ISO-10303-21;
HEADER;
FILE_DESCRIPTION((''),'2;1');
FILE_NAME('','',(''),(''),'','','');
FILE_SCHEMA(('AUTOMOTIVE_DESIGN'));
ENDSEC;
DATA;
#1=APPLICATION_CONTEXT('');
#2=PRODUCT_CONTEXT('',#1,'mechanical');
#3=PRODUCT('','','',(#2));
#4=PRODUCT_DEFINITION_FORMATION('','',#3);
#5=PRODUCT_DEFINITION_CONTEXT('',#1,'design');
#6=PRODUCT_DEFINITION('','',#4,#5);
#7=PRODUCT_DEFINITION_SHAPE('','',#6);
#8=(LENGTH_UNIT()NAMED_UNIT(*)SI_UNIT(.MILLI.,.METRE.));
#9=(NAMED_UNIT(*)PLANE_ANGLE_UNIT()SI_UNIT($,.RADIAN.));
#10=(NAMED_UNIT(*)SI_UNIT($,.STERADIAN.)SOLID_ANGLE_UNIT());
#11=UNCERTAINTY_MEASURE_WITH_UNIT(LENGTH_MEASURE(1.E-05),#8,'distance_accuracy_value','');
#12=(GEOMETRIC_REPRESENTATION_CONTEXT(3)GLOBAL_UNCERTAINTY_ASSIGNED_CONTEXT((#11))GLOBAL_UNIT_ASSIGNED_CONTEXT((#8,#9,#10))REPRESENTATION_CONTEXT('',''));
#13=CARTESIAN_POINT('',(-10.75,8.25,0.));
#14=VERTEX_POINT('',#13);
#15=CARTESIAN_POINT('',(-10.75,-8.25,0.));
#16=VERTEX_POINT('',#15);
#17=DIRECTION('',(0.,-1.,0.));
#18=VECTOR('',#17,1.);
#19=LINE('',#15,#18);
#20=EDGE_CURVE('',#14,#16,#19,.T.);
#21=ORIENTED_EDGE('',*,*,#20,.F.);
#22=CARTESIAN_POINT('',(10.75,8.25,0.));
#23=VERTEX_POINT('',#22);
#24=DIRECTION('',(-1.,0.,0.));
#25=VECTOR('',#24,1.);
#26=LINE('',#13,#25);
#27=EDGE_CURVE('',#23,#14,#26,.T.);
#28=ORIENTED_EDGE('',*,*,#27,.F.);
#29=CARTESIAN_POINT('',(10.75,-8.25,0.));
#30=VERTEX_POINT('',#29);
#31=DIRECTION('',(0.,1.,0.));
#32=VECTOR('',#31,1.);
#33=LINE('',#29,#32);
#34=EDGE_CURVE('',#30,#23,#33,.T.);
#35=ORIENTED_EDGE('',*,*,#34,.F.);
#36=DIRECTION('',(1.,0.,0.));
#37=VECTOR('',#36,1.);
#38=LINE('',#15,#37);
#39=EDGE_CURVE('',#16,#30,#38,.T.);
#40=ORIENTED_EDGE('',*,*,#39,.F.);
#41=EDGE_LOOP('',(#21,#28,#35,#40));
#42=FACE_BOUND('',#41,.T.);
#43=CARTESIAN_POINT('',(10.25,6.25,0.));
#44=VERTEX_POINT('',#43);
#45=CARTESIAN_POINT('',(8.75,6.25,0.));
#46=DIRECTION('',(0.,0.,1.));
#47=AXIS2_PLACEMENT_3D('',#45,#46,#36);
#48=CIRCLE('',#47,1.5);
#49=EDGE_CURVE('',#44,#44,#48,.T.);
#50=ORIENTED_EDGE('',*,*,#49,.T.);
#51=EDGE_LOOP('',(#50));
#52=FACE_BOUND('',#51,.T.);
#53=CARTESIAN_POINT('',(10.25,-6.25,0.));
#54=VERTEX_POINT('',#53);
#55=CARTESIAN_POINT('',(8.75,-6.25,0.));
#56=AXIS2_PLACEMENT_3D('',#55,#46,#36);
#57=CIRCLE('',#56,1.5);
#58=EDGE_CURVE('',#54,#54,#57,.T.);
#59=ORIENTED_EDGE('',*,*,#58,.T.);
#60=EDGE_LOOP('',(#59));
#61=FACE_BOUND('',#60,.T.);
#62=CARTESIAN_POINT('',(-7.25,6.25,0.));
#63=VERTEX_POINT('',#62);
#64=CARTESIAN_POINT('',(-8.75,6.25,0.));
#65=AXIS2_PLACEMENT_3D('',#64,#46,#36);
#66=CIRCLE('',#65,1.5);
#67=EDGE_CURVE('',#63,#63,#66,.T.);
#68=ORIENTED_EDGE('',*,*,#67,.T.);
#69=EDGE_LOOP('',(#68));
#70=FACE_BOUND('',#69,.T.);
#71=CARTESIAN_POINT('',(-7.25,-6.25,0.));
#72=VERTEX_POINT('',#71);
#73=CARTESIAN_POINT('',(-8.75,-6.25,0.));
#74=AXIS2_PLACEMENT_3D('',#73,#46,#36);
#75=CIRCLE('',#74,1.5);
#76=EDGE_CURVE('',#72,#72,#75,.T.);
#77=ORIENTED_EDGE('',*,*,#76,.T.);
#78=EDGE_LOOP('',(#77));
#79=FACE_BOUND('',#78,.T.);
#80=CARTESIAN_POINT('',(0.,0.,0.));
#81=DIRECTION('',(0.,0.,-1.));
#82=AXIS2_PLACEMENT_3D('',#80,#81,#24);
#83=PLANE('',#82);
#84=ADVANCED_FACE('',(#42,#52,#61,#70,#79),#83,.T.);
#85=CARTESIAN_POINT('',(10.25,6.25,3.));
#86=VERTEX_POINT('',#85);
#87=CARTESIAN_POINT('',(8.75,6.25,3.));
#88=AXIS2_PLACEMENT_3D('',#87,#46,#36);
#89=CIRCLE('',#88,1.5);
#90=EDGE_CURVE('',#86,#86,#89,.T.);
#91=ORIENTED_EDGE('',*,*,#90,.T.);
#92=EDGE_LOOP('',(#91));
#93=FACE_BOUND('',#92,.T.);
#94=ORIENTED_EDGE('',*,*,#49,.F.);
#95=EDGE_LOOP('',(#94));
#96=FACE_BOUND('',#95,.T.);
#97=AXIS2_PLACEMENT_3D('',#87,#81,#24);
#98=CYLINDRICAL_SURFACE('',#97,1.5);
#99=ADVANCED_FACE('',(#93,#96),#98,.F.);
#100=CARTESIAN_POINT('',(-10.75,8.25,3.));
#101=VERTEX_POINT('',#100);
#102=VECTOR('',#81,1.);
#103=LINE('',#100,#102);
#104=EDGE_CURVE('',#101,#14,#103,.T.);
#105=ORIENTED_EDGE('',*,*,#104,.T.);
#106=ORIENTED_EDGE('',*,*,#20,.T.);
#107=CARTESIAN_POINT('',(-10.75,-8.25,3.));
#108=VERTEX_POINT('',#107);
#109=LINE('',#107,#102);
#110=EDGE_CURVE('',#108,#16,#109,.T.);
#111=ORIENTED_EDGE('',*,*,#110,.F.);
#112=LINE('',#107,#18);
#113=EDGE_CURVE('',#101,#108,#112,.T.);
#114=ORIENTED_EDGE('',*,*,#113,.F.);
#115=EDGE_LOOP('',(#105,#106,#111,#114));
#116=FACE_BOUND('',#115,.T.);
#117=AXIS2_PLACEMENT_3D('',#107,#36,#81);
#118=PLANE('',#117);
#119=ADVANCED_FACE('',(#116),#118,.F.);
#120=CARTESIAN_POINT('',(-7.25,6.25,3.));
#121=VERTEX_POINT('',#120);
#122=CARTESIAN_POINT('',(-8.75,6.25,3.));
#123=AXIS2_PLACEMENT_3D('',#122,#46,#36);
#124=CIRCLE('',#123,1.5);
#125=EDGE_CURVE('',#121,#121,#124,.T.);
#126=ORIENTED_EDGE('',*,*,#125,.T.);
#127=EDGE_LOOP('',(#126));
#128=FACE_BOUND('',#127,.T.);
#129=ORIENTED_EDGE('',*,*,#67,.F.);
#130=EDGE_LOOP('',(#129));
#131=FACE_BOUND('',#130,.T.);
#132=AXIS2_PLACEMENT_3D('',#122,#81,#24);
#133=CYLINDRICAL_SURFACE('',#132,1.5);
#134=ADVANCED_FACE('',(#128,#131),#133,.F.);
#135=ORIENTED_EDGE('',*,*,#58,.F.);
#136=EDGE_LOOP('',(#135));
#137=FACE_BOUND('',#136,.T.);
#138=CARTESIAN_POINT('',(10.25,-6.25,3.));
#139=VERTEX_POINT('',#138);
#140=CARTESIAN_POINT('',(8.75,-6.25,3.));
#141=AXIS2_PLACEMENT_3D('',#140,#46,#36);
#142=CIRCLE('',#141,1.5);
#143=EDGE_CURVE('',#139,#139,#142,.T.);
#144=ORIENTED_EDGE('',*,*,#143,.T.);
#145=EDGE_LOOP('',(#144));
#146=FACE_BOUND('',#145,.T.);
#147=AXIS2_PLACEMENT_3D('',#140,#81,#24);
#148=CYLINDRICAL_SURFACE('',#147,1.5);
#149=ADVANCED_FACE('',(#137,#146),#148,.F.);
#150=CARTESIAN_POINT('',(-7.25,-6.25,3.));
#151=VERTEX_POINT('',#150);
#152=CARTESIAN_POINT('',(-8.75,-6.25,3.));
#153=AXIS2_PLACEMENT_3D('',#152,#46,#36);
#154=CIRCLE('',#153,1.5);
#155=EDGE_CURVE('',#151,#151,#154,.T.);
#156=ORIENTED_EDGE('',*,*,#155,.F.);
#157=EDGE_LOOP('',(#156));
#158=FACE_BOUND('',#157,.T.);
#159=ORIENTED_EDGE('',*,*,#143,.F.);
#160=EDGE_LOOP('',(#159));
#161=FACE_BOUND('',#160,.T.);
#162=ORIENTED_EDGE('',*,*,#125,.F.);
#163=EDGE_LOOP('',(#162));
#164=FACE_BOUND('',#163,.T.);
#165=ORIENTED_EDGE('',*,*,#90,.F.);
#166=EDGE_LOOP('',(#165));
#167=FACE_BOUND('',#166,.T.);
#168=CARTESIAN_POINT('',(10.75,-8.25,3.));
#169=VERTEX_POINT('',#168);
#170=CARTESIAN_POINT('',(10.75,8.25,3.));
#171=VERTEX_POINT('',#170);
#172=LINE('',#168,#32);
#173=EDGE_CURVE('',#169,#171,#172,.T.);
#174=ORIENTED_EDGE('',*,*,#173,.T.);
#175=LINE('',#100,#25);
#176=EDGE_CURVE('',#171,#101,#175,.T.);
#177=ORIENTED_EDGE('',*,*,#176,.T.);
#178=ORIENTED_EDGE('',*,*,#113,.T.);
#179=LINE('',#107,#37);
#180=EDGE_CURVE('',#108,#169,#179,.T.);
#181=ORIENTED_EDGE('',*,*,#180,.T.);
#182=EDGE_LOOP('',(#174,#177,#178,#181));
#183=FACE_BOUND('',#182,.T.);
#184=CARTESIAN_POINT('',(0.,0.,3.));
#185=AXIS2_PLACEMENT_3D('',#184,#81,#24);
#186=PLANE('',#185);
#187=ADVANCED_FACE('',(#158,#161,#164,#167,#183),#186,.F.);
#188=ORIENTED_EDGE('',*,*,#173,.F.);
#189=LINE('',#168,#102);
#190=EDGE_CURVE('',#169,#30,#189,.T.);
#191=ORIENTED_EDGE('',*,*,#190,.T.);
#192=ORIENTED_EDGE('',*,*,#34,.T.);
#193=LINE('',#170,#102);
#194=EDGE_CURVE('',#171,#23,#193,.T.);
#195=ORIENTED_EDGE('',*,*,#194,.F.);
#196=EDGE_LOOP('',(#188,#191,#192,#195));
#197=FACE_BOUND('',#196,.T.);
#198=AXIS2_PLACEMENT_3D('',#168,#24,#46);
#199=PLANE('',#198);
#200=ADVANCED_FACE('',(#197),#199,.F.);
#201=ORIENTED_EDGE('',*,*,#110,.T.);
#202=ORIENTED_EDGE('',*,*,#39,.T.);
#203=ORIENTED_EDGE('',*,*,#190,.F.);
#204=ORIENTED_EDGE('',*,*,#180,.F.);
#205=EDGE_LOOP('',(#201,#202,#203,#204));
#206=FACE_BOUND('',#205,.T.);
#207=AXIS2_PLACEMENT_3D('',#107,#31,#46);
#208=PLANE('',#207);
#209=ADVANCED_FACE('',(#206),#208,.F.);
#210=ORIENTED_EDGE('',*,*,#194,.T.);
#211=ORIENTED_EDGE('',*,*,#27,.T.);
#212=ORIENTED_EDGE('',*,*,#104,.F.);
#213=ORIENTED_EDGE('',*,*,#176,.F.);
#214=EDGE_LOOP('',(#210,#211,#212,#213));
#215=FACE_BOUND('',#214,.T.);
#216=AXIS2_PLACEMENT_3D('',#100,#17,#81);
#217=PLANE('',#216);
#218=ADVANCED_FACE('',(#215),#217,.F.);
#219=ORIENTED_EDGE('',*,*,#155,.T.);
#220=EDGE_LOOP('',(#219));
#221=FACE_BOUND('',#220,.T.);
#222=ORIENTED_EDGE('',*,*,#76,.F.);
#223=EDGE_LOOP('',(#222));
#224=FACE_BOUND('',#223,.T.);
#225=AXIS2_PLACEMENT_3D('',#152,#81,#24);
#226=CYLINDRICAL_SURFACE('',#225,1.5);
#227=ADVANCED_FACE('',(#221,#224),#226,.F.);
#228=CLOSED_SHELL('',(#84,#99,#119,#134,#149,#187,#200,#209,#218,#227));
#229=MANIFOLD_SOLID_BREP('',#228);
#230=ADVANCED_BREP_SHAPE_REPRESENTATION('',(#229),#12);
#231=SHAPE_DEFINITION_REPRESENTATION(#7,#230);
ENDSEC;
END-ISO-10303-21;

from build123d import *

# Parameters (mm, degrees)
SKETCH1_W           = 21.5
SKETCH1_H           = 16.5
SKETCH1_R           = 1.5
BOSS_EXTRUDE1_DEPTH = 3


with BuildPart() as part:
    # Sketch1 → Boss-Extrude1 (new body)
    with BuildSketch(Plane.XY):
        Rectangle(SKETCH1_W, SKETCH1_H)
        with Locations((-8.75, 6.25)):
            Circle(SKETCH1_R, mode=Mode.SUBTRACT)
        with Locations((8.75, 6.25)):
            Circle(SKETCH1_R, mode=Mode.SUBTRACT)
        with Locations((8.75, -6.25)):
            Circle(SKETCH1_R, mode=Mode.SUBTRACT)
        with Locations((-8.75, -6.25)):
            Circle(SKETCH1_R, mode=Mode.SUBTRACT)
    extrude(amount=BOSS_EXTRUDE1_DEPTH)


solid = part.part
